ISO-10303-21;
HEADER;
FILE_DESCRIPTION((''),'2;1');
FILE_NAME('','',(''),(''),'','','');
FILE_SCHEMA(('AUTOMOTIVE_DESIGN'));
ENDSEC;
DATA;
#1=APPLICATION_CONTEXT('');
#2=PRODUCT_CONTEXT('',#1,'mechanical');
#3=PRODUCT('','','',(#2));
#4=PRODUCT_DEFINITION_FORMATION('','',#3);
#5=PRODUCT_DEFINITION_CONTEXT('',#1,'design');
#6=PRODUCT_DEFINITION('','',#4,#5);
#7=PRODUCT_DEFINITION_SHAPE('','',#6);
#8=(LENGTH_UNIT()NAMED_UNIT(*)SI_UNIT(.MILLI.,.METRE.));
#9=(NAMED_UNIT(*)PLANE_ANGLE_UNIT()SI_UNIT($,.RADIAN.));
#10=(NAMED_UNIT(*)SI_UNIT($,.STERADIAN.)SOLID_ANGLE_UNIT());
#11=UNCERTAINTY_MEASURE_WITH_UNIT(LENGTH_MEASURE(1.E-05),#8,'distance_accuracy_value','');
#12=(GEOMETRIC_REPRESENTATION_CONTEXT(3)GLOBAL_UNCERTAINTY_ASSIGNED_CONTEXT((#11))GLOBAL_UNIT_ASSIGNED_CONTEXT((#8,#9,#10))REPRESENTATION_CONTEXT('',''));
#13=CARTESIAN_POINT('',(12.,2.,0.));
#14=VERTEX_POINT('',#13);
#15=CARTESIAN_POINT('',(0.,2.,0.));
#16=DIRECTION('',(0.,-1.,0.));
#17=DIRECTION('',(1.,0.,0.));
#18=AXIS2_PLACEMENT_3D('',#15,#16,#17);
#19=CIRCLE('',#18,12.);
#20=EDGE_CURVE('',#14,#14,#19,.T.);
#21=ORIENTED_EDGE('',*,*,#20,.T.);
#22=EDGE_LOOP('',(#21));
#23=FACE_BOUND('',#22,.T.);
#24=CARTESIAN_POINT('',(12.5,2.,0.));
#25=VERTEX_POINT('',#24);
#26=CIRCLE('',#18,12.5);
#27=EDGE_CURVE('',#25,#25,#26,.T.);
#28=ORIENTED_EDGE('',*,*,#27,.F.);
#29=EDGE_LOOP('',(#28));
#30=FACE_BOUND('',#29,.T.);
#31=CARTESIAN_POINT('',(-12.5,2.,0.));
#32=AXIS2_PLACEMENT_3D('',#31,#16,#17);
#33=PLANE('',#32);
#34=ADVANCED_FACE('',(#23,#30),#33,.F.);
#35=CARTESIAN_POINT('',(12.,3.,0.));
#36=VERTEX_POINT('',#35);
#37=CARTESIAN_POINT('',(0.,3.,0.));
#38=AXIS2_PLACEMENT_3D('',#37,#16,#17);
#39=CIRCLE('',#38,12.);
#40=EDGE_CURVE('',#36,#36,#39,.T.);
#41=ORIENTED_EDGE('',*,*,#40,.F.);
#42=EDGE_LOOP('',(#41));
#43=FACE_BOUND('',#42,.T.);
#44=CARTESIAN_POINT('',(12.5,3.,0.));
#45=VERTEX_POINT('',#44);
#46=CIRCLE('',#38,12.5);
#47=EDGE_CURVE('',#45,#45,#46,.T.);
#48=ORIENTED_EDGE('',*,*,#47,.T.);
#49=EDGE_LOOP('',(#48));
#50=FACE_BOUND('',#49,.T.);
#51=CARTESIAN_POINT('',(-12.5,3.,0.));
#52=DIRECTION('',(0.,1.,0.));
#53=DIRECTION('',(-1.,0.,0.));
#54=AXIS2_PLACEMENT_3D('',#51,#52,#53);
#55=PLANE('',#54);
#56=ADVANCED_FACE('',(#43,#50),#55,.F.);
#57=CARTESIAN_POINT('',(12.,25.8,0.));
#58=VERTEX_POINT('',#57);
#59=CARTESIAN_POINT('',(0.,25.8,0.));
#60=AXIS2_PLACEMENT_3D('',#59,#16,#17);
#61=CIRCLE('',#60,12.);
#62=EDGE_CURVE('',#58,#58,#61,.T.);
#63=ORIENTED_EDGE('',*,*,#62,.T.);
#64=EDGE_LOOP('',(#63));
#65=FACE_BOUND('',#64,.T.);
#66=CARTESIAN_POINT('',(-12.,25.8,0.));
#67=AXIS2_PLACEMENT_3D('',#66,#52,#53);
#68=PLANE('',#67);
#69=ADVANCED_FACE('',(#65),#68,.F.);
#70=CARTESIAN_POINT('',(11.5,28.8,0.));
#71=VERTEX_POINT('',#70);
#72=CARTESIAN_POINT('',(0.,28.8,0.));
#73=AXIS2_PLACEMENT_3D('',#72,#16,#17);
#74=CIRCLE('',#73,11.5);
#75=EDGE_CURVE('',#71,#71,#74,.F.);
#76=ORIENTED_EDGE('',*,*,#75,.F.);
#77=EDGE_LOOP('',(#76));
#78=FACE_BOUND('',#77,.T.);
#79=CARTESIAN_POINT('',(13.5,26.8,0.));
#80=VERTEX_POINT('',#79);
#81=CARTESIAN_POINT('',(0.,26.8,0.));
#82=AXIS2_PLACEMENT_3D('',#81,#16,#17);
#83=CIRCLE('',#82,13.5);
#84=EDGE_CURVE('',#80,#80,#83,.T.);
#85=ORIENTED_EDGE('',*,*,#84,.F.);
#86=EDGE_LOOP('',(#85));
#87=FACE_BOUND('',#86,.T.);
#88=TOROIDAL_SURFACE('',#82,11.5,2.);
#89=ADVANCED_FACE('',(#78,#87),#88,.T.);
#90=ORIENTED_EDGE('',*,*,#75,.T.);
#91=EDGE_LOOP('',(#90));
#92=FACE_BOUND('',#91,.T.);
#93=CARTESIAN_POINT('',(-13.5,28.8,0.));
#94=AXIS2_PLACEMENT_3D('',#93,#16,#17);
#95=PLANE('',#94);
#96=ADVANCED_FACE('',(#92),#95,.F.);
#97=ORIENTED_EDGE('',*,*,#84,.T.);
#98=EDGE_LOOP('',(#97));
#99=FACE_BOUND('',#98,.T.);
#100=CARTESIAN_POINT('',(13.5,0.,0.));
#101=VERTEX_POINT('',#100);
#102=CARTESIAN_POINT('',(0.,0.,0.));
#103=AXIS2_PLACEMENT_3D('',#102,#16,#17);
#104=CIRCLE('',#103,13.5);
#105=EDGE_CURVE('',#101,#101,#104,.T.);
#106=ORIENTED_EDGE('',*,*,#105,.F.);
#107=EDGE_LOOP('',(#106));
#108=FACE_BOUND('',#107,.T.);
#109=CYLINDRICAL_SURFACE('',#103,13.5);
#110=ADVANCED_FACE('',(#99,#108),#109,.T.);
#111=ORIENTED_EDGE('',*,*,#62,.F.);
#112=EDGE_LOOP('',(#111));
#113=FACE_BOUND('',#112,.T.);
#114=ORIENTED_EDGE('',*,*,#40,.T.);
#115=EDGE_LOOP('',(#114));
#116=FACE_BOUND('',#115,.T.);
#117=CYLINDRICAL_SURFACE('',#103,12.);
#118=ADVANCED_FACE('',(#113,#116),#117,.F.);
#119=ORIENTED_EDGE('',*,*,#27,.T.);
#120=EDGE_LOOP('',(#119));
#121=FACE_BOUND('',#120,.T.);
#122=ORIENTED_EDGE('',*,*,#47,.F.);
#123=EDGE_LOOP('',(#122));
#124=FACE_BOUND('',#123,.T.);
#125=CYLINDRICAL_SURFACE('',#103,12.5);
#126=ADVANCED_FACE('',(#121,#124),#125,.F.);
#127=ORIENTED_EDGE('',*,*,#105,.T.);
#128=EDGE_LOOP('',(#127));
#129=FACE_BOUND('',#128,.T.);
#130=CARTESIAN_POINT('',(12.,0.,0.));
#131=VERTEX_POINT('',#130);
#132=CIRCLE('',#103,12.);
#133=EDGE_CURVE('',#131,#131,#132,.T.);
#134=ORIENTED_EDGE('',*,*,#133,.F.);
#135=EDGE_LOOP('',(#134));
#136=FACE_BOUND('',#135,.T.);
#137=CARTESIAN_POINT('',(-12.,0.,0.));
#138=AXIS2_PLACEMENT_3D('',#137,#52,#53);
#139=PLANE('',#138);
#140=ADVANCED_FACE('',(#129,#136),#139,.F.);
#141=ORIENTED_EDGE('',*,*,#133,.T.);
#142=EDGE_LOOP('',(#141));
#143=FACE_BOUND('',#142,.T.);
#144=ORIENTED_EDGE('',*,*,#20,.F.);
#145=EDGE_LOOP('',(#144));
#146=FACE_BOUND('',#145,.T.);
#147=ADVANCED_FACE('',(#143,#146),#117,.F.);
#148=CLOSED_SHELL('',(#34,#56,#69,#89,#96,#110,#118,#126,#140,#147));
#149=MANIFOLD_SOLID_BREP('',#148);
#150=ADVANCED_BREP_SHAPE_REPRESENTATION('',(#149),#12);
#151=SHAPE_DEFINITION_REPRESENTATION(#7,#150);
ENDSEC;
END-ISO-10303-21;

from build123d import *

# Parameters (mm, degrees)
CONG_1_R = 2


with BuildPart() as part:
    # Esquisse1 → Révolution1 (revolve)
    with BuildSketch(Plane.XY, mode=Mode.PRIVATE) as r_volution1_sk:
        Polygon((-13.5, 0), (-13.5, 28.8), (0, 28.8), (0, 25.8), (-12, 25.8), (-12, 3), (-12.5, 3), (-12.5, 2), (-12, 2), (-12, 0), align=None)
    revolve(r_volution1_sk.sketch.rotate(Axis((0, 0, 0), (0, 1, 0)), 180), axis=Axis((0, 0, 0), (0, 1, 0)))

    # Congé1
    cong_1_edges = [part.edges().sort_by_distance(p)[0] for p in [
        (-13.5, 28.8, 0),
    ]]
    fillet(cong_1_edges, radius=CONG_1_R)


solid = part.part
